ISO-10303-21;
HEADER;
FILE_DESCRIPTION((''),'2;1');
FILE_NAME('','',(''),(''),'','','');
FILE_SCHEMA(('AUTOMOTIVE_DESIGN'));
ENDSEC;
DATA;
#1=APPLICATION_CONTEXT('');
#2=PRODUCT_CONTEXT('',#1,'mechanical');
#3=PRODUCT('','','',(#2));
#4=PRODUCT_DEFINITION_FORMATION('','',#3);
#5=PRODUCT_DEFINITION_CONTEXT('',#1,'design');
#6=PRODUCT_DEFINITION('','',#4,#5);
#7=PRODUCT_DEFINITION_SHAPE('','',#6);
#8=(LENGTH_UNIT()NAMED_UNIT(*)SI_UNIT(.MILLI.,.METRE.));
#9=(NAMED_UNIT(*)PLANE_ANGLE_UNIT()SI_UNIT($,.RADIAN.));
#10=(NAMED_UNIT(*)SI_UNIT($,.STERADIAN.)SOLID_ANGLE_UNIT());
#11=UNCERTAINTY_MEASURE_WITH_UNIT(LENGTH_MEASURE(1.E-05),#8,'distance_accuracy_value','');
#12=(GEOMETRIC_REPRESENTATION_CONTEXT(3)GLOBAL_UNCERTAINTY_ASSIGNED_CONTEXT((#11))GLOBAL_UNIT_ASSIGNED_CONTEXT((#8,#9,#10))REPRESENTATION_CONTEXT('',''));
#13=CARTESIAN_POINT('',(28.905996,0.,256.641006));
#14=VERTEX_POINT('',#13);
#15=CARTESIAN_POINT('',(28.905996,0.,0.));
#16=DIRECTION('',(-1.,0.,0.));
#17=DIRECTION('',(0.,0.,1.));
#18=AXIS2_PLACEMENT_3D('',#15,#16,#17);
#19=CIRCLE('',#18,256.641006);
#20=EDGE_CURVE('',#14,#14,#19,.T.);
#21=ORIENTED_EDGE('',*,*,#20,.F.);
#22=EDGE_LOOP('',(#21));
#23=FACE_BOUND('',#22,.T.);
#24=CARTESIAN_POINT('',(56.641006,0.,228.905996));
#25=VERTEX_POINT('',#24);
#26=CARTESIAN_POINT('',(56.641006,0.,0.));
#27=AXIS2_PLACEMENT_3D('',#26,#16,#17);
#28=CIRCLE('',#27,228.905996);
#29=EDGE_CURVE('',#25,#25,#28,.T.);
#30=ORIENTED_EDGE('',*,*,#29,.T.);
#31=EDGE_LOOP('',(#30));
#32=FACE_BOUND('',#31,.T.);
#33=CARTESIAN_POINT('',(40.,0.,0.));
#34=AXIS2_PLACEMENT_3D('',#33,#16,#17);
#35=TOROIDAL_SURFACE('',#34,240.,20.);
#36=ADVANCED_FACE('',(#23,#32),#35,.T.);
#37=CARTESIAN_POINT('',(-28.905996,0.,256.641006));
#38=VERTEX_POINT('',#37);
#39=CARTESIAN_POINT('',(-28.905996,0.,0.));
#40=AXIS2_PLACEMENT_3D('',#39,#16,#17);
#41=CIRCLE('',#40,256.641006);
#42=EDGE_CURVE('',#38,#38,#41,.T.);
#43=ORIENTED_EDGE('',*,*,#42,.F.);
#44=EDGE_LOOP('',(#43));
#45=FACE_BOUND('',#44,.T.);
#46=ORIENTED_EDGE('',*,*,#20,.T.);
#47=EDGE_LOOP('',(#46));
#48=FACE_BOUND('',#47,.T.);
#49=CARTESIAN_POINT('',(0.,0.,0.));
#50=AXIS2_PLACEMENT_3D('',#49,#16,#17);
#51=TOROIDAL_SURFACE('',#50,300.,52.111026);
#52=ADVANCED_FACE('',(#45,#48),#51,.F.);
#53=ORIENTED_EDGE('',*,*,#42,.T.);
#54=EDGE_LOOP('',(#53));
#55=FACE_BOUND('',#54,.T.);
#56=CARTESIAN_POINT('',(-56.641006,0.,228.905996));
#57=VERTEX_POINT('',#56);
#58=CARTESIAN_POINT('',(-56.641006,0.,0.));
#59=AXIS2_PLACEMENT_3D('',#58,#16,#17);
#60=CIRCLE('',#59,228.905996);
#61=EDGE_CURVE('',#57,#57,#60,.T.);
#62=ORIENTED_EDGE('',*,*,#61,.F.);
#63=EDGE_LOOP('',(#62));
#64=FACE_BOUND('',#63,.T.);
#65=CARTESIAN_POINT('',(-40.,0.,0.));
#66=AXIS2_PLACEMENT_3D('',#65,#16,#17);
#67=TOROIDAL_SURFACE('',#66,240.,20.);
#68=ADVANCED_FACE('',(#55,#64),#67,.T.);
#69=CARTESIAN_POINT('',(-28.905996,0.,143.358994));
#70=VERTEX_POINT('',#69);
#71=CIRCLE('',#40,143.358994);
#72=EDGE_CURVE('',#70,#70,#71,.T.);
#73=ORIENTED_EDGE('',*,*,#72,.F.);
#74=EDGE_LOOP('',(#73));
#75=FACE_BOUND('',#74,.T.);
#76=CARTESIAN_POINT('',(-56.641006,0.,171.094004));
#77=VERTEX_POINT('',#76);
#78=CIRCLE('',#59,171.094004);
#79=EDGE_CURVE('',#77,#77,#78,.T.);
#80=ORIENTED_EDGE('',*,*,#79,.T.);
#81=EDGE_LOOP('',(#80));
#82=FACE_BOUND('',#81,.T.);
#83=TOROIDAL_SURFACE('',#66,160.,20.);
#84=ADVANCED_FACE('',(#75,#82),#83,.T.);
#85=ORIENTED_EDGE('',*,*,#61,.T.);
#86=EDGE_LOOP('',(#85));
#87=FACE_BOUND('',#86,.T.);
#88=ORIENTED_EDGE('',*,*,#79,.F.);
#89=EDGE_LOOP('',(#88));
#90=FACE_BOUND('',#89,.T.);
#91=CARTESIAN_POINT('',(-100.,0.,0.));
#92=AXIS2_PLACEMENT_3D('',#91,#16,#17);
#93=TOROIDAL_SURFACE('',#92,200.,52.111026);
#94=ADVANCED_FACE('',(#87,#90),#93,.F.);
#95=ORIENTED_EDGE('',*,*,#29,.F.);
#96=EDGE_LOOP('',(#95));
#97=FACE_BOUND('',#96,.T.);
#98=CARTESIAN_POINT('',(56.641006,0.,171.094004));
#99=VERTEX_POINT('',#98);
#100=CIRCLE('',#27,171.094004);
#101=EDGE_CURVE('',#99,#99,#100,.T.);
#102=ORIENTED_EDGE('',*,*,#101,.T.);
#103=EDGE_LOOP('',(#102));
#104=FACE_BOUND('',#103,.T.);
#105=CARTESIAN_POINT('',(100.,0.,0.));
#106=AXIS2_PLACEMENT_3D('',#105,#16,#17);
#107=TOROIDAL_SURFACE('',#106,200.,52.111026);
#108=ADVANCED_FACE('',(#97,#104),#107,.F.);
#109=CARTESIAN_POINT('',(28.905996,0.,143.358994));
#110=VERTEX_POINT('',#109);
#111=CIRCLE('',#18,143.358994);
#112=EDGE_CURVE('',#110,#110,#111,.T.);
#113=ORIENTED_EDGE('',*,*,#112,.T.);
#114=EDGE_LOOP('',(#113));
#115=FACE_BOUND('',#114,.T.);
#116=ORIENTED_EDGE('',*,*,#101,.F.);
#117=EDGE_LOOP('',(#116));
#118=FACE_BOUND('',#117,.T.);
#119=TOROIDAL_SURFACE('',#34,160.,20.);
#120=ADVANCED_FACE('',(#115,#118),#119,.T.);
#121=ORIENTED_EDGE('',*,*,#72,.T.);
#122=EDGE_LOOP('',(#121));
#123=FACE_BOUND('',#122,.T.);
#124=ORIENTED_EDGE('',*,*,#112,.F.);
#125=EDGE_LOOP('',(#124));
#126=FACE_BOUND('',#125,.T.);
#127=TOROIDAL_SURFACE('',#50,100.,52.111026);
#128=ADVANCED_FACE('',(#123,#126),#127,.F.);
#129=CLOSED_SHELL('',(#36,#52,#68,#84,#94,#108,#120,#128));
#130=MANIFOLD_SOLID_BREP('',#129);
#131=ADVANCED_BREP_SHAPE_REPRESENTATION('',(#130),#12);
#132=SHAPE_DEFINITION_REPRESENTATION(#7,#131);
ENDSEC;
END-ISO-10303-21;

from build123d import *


with BuildPart() as part:
    # 草圖1 → 旋轉1 (revolve)
    with BuildSketch(Plane.XY, mode=Mode.PRIVATE) as revolve_1_sk:
        with BuildLine():
            ThreePointArc((56.641005887, 228.905996075), (47.888974491, 200), (56.641005887, 171.094003925))
            ThreePointArc((56.641005887, 171.094003925), (54.142135624, 145.857864376), (28.905996075, 143.358994113))
            ThreePointArc((28.905996075, 143.358994113), (0, 152.111025509), (-28.905996075, 143.358994113))
            ThreePointArc((-28.905996075, 143.358994113), (-54.142135624, 145.857864376), (-56.641005887, 171.094003925))
            ThreePointArc((-56.641005887, 171.094003925), (-47.888974491, 200), (-56.641005887, 228.905996075))
            ThreePointArc((-56.641005887, 228.905996075), (-54.142135624, 254.142135624), (-28.905996075, 256.641005887))
            ThreePointArc((-28.905996075, 256.641005887), (0, 247.888974491), (28.905996075, 256.641005887))
            ThreePointArc((28.905996075, 256.641005887), (54.142135624, 254.142135624), (56.641005887, 228.905996075))
        make_face()
    revolve(revolve_1_sk.sketch.rotate(Axis((0, 0, 0), (1, 0, 0)), 90), axis=Axis((0, 0, 0), (1, 0, 0)))


solid = part.part
